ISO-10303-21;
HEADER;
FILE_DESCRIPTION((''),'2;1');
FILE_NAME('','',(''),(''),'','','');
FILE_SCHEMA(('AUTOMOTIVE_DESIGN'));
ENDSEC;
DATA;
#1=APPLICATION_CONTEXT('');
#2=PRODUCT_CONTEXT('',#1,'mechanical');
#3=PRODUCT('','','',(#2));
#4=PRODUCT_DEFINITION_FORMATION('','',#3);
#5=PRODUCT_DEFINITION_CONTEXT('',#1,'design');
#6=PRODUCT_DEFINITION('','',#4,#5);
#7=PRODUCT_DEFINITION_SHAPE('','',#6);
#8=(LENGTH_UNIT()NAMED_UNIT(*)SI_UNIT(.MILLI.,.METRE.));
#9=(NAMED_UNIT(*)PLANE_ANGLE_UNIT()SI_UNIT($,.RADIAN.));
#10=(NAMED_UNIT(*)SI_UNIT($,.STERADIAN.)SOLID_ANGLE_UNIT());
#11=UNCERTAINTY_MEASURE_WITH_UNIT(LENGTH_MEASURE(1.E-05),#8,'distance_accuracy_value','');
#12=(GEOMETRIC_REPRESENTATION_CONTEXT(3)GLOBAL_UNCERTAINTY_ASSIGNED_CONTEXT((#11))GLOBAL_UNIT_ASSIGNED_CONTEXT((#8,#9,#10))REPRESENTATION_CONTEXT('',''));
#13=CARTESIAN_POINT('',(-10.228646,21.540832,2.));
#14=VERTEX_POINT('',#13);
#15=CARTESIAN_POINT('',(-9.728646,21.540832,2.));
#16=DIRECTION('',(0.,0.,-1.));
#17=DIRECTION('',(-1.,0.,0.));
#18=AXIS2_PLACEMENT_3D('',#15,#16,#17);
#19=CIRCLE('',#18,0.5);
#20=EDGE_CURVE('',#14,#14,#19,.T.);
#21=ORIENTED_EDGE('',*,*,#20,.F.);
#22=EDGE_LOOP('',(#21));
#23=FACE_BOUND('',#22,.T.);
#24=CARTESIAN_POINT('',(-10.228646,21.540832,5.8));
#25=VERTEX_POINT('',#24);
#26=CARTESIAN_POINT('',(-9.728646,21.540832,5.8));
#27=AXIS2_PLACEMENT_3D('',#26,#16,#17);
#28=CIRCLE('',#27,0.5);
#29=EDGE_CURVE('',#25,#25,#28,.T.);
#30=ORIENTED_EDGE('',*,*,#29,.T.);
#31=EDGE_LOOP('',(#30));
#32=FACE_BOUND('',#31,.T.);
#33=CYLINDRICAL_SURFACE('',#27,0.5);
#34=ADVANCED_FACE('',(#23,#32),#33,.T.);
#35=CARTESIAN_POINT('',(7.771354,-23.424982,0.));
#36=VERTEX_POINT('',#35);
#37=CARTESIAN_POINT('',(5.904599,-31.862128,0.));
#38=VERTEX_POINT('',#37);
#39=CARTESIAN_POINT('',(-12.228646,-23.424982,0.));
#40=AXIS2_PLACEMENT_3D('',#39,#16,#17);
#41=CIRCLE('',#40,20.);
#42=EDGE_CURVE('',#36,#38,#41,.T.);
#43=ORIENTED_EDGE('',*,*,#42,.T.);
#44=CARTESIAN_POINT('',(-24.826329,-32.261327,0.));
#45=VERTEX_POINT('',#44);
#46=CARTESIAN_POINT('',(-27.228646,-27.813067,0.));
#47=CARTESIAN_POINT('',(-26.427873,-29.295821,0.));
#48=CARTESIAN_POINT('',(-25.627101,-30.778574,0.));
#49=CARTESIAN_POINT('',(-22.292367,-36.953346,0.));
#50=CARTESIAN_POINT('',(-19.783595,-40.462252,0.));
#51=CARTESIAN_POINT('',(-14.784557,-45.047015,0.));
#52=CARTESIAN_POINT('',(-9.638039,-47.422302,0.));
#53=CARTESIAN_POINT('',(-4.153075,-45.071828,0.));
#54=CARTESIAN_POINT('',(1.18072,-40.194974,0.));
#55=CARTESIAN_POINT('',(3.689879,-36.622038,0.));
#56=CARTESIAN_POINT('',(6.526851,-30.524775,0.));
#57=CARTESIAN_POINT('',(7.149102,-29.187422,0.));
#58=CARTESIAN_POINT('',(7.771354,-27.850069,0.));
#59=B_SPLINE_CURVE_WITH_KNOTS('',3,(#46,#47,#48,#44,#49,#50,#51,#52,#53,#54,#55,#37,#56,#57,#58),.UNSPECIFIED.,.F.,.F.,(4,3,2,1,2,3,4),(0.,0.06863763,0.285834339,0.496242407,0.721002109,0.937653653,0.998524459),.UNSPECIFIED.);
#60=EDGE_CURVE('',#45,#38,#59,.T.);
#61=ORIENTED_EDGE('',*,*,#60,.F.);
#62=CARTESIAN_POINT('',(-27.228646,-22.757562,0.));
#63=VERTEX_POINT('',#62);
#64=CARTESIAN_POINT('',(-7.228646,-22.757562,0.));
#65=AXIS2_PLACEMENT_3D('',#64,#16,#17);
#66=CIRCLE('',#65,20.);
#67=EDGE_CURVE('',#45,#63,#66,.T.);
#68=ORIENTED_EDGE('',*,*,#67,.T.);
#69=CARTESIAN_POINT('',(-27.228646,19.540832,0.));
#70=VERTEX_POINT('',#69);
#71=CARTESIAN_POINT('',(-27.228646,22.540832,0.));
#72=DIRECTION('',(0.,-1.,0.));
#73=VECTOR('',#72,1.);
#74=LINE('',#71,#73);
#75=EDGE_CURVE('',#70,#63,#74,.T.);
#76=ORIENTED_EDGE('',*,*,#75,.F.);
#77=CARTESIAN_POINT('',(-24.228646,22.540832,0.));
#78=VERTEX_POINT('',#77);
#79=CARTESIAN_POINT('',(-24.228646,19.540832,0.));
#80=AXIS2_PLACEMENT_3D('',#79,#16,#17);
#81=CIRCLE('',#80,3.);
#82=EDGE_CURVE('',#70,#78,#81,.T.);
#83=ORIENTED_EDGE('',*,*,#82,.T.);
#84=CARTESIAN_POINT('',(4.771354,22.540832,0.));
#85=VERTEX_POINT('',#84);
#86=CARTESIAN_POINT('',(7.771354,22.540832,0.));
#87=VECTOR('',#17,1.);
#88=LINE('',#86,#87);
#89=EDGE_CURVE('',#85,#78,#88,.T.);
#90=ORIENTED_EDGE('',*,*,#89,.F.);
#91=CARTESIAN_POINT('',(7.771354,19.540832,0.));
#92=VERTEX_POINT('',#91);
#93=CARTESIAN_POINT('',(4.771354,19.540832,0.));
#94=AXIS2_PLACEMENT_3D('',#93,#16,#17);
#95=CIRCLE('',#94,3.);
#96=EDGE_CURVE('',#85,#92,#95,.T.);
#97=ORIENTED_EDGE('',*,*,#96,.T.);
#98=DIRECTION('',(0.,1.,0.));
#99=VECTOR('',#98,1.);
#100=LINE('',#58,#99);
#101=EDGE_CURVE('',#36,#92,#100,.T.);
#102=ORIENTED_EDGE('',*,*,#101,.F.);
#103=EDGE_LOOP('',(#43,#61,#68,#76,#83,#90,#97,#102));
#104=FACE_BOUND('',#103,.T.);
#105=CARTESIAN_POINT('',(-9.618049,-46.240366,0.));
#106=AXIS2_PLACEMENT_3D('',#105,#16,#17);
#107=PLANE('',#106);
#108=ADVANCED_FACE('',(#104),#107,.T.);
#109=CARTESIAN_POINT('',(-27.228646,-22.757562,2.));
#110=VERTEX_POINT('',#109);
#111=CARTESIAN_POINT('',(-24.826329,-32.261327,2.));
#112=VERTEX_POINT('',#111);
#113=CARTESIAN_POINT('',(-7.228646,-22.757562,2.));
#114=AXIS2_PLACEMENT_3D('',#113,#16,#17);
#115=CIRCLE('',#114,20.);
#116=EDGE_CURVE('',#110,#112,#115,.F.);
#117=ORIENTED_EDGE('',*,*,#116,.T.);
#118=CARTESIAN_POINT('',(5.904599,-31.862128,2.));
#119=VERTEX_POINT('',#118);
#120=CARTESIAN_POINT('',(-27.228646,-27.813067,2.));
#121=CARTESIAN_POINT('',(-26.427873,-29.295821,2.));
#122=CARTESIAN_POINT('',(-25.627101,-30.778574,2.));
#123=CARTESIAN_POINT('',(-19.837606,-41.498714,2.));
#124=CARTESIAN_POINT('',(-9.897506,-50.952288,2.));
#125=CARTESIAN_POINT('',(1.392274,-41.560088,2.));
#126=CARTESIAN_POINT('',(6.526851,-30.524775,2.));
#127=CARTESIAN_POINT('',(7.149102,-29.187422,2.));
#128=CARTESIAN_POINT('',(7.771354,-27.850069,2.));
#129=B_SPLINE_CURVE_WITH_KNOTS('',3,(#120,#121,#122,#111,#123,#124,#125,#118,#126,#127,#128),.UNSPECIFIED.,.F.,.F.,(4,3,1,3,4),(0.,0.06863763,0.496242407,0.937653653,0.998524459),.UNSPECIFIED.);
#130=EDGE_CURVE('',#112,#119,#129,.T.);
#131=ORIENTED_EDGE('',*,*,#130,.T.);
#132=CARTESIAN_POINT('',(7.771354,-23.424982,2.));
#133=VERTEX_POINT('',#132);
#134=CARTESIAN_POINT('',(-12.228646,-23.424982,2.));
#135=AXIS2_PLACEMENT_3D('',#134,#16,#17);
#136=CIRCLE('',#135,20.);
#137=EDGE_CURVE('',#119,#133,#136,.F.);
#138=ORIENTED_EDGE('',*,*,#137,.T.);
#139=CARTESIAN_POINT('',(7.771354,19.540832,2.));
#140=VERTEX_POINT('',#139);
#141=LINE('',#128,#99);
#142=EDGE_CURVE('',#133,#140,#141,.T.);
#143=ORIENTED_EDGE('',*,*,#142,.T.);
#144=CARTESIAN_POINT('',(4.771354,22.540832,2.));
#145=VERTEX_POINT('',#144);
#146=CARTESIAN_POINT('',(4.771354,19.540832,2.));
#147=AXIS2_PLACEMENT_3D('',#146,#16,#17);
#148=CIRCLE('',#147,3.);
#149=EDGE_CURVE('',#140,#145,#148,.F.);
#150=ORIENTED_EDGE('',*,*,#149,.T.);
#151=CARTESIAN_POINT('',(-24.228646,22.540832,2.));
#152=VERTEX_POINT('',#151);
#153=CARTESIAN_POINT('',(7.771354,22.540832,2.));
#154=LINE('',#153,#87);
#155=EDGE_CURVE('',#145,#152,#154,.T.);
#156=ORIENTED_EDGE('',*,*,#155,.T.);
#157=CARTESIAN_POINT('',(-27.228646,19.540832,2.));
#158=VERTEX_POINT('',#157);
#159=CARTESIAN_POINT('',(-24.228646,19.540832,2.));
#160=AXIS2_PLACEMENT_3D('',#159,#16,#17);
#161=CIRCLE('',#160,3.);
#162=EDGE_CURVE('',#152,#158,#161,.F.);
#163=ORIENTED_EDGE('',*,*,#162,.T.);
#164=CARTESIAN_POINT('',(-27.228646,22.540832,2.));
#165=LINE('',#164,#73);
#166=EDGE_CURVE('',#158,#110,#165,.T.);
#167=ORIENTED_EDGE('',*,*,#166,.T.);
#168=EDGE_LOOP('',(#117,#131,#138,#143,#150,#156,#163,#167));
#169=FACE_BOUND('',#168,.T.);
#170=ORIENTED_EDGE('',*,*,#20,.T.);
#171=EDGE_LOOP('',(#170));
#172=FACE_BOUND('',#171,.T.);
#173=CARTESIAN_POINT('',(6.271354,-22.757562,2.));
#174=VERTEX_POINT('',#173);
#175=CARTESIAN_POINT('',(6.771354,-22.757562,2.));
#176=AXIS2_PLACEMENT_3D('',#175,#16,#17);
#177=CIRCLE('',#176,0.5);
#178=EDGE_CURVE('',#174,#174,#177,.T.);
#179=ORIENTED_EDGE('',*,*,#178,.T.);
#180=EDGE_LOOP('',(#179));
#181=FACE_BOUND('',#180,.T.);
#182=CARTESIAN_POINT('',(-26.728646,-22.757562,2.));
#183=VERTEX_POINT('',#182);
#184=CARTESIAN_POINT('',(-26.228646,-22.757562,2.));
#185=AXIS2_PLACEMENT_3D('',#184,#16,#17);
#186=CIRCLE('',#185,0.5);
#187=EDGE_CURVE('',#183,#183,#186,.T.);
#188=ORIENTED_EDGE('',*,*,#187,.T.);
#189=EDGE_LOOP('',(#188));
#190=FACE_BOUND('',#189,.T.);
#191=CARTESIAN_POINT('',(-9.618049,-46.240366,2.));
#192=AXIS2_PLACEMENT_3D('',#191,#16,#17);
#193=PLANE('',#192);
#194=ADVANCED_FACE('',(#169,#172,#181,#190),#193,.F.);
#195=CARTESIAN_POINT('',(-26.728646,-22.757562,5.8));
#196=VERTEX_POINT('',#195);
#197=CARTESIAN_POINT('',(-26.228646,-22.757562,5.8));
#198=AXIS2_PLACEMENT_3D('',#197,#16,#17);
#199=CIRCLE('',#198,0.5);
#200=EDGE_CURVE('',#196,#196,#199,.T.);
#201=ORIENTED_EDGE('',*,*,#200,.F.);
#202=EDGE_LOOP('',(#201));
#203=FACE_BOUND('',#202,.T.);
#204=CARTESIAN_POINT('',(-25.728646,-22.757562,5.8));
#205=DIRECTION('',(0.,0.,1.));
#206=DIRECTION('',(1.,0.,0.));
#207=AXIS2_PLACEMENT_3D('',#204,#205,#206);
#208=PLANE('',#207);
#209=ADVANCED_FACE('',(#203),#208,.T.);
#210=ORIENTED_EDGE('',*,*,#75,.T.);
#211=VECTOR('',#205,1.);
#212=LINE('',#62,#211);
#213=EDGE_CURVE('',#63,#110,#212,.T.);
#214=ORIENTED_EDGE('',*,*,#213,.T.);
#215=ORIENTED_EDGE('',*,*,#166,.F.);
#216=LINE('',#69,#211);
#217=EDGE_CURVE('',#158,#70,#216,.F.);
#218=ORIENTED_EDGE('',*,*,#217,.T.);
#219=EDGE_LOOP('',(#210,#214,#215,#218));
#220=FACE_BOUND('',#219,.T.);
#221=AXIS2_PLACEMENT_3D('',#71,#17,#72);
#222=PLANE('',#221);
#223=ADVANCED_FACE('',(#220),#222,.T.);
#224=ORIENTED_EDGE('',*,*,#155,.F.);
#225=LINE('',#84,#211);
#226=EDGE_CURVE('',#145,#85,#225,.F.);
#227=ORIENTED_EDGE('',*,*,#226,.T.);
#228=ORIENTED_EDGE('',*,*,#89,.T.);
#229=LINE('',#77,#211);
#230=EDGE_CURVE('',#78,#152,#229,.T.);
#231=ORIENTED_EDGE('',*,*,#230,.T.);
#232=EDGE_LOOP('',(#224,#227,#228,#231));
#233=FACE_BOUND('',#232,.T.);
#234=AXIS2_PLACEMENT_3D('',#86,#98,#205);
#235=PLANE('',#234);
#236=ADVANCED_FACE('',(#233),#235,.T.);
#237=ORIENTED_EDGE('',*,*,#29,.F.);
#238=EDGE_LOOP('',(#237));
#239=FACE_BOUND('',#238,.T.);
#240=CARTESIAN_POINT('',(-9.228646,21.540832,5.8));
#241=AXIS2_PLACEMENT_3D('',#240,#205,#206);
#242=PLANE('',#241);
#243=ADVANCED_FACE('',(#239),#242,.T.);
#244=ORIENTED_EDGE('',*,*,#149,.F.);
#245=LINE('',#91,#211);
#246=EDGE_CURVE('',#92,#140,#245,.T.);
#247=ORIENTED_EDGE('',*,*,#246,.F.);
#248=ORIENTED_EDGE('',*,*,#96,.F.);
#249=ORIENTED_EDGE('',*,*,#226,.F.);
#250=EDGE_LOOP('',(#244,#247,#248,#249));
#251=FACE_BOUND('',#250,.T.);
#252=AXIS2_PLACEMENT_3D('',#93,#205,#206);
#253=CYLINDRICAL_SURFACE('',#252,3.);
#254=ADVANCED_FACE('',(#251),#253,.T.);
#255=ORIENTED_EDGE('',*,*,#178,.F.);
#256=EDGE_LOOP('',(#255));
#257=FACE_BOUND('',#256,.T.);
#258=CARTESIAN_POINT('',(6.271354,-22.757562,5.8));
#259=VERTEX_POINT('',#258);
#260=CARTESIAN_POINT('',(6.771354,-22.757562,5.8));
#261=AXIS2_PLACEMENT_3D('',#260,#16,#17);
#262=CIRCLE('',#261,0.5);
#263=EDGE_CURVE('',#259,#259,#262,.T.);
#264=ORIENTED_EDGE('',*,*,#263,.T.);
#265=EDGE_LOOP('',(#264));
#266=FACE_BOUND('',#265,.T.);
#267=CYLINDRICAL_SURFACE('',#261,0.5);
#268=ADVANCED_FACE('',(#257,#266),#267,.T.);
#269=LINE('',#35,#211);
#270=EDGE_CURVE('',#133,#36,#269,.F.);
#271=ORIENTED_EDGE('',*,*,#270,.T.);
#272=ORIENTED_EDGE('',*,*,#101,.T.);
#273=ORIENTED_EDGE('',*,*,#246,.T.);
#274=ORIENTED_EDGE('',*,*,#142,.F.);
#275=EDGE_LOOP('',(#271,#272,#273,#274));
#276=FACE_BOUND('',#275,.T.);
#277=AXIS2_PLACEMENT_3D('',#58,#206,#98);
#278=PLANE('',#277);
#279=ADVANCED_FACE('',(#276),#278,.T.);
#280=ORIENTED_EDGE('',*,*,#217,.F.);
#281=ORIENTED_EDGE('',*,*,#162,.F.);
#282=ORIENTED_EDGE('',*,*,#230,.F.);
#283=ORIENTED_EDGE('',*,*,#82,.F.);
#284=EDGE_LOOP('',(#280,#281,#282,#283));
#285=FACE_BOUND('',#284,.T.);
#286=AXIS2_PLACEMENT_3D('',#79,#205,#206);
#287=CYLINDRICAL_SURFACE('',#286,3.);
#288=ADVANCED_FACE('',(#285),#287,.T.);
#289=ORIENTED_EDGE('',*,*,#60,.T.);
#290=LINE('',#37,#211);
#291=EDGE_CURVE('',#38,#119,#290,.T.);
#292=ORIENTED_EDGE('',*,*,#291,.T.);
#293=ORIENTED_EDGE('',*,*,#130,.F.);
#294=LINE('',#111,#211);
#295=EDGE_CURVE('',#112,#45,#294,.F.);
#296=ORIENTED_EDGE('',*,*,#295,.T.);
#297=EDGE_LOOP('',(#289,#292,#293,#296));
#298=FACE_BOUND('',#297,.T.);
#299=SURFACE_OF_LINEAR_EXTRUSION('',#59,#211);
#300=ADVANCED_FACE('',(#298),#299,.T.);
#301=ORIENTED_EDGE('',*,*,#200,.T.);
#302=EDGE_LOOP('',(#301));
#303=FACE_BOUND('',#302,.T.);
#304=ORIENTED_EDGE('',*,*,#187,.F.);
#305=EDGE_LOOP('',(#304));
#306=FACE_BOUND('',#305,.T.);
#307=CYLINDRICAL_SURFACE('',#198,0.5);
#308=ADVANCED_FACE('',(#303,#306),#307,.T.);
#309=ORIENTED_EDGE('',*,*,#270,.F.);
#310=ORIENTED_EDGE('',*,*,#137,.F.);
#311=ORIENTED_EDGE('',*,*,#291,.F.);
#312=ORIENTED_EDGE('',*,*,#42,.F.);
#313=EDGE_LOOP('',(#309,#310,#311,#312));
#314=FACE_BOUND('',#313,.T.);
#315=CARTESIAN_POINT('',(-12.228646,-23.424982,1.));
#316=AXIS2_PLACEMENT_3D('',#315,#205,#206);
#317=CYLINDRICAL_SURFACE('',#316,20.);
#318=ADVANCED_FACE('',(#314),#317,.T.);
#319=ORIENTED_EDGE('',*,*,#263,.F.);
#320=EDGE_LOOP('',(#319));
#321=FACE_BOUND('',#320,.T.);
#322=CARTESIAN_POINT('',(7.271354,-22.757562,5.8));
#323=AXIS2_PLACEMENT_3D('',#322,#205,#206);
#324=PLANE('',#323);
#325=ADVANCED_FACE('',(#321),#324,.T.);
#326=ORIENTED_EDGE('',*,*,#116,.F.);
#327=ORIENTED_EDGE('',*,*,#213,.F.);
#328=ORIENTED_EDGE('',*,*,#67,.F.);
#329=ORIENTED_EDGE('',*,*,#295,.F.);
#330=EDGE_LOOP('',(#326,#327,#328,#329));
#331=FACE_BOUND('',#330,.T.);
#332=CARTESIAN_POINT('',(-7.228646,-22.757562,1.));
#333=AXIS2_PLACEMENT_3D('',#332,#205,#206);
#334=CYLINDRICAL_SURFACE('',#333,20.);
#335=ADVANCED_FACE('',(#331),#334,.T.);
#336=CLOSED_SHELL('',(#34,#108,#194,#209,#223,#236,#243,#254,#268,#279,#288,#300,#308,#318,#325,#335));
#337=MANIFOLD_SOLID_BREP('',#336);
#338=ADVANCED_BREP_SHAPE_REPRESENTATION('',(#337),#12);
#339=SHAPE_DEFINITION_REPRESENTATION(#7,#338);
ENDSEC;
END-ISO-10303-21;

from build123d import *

# Parameters (mm, degrees)
BOSS_EXTRUDE1_DEPTH = 2
SKETCH2_W           = 0.5
SKETCH2_H           = 3.8
SKETCH3_W           = 0.5
SKETCH3_H           = 3.8
SKETCH4_W           = 0.5
SKETCH4_H           = 3.8
FILLET1_R           = 3
FILLET2_R           = 20


with BuildPart() as part:
    # Sketch1 → Boss-Extrude1 (new body)
    with BuildSketch(Plane.XY.offset(2)):
        with BuildLine():
            Line((7.771354167, 22.540832259), (-27.228645833, 22.540832259))
            Line((-27.228645833, 22.540832259), (-27.228645833, -27.813067392))
            add(Edge.make_bspline(
                [(-27.228645833, -27.813067392), (-26.427873486, -29.29582054), (-25.627101139, -30.778573688), (-24.826328792, -32.261326836), (-19.837606386, -41.498713565), (-9.897506481, -50.952288279), (1.392273584, -41.560087902), (5.904599103, -31.862127656), (6.526850791, -30.524774642), (7.149102479, -29.187421629), (7.771354167, -27.850068615)],
                knots=[0, 0, 0, 0, 0.06863763, 0.06863763, 0.06863763, 0.496242407, 0.937653653, 0.937653653, 0.937653653, 0.998524459, 0.998524459, 0.998524459, 0.998524459], degree=3))
            Line((7.771354167, -27.850068615), (7.771354167, 22.540832259))
        make_face()
    extrude(amount=-BOSS_EXTRUDE1_DEPTH)

    # Sketch2 → Revolve1 (revolve)
    with BuildSketch(Plane.XZ.offset(22.757561557), mode=Mode.PRIVATE) as revolve1_sk:
        with Locations((7.021354167, 3.9)):
            Rectangle(SKETCH2_W, SKETCH2_H)
    revolve(revolve1_sk.sketch.rotate(Axis((6.771354167, -22.757561557, 5.8), (0, 0, -1)), 180), axis=Axis((6.771354167, -22.757561557, 5.8), (0, 0, -1)))

    # Sketch3 → Revolve2 (revolve)
    with BuildSketch(Plane.XZ.offset(22.757561557), mode=Mode.PRIVATE) as revolve2_sk:
        with Locations((-25.978645833, 3.9)):
            Rectangle(SKETCH3_W, SKETCH3_H)
    revolve(revolve2_sk.sketch.rotate(Axis((-26.228645833, -22.757561557, 5.8), (0, 0, -1)), 180), axis=Axis((-26.228645833, -22.757561557, 5.8), (0, 0, -1)))

    # Sketch4 → Revolve3 (revolve)
    with BuildSketch(Plane.XZ.offset(-21.540832259), mode=Mode.PRIVATE) as revolve3_sk:
        with Locations((-9.478645833, 3.9)):
            Rectangle(SKETCH4_W, SKETCH4_H)
    revolve(revolve3_sk.sketch.rotate(Axis((-9.728645833, 21.540832259, 5.8), (0, 0, -1)), 180), axis=Axis((-9.728645833, 21.540832259, 5.8), (0, 0, -1)))

    # Fillet1
    fillet1_edges = [part.edges().sort_by_distance(p)[0] for p in [
        (-27.228645833, 22.540832259, 1),
        (7.771354167, 22.540832259, 1),
    ]]
    fillet(fillet1_edges, radius=FILLET1_R)

    # Fillet2
    fillet2_edges = [part.edges().sort_by_distance(p)[0] for p in [
        (7.771354167, -27.850068615, 1),
        (-27.228645833, -27.813067392, 1),
    ]]
    fillet(fillet2_edges, radius=FILLET2_R)


solid = part.part
